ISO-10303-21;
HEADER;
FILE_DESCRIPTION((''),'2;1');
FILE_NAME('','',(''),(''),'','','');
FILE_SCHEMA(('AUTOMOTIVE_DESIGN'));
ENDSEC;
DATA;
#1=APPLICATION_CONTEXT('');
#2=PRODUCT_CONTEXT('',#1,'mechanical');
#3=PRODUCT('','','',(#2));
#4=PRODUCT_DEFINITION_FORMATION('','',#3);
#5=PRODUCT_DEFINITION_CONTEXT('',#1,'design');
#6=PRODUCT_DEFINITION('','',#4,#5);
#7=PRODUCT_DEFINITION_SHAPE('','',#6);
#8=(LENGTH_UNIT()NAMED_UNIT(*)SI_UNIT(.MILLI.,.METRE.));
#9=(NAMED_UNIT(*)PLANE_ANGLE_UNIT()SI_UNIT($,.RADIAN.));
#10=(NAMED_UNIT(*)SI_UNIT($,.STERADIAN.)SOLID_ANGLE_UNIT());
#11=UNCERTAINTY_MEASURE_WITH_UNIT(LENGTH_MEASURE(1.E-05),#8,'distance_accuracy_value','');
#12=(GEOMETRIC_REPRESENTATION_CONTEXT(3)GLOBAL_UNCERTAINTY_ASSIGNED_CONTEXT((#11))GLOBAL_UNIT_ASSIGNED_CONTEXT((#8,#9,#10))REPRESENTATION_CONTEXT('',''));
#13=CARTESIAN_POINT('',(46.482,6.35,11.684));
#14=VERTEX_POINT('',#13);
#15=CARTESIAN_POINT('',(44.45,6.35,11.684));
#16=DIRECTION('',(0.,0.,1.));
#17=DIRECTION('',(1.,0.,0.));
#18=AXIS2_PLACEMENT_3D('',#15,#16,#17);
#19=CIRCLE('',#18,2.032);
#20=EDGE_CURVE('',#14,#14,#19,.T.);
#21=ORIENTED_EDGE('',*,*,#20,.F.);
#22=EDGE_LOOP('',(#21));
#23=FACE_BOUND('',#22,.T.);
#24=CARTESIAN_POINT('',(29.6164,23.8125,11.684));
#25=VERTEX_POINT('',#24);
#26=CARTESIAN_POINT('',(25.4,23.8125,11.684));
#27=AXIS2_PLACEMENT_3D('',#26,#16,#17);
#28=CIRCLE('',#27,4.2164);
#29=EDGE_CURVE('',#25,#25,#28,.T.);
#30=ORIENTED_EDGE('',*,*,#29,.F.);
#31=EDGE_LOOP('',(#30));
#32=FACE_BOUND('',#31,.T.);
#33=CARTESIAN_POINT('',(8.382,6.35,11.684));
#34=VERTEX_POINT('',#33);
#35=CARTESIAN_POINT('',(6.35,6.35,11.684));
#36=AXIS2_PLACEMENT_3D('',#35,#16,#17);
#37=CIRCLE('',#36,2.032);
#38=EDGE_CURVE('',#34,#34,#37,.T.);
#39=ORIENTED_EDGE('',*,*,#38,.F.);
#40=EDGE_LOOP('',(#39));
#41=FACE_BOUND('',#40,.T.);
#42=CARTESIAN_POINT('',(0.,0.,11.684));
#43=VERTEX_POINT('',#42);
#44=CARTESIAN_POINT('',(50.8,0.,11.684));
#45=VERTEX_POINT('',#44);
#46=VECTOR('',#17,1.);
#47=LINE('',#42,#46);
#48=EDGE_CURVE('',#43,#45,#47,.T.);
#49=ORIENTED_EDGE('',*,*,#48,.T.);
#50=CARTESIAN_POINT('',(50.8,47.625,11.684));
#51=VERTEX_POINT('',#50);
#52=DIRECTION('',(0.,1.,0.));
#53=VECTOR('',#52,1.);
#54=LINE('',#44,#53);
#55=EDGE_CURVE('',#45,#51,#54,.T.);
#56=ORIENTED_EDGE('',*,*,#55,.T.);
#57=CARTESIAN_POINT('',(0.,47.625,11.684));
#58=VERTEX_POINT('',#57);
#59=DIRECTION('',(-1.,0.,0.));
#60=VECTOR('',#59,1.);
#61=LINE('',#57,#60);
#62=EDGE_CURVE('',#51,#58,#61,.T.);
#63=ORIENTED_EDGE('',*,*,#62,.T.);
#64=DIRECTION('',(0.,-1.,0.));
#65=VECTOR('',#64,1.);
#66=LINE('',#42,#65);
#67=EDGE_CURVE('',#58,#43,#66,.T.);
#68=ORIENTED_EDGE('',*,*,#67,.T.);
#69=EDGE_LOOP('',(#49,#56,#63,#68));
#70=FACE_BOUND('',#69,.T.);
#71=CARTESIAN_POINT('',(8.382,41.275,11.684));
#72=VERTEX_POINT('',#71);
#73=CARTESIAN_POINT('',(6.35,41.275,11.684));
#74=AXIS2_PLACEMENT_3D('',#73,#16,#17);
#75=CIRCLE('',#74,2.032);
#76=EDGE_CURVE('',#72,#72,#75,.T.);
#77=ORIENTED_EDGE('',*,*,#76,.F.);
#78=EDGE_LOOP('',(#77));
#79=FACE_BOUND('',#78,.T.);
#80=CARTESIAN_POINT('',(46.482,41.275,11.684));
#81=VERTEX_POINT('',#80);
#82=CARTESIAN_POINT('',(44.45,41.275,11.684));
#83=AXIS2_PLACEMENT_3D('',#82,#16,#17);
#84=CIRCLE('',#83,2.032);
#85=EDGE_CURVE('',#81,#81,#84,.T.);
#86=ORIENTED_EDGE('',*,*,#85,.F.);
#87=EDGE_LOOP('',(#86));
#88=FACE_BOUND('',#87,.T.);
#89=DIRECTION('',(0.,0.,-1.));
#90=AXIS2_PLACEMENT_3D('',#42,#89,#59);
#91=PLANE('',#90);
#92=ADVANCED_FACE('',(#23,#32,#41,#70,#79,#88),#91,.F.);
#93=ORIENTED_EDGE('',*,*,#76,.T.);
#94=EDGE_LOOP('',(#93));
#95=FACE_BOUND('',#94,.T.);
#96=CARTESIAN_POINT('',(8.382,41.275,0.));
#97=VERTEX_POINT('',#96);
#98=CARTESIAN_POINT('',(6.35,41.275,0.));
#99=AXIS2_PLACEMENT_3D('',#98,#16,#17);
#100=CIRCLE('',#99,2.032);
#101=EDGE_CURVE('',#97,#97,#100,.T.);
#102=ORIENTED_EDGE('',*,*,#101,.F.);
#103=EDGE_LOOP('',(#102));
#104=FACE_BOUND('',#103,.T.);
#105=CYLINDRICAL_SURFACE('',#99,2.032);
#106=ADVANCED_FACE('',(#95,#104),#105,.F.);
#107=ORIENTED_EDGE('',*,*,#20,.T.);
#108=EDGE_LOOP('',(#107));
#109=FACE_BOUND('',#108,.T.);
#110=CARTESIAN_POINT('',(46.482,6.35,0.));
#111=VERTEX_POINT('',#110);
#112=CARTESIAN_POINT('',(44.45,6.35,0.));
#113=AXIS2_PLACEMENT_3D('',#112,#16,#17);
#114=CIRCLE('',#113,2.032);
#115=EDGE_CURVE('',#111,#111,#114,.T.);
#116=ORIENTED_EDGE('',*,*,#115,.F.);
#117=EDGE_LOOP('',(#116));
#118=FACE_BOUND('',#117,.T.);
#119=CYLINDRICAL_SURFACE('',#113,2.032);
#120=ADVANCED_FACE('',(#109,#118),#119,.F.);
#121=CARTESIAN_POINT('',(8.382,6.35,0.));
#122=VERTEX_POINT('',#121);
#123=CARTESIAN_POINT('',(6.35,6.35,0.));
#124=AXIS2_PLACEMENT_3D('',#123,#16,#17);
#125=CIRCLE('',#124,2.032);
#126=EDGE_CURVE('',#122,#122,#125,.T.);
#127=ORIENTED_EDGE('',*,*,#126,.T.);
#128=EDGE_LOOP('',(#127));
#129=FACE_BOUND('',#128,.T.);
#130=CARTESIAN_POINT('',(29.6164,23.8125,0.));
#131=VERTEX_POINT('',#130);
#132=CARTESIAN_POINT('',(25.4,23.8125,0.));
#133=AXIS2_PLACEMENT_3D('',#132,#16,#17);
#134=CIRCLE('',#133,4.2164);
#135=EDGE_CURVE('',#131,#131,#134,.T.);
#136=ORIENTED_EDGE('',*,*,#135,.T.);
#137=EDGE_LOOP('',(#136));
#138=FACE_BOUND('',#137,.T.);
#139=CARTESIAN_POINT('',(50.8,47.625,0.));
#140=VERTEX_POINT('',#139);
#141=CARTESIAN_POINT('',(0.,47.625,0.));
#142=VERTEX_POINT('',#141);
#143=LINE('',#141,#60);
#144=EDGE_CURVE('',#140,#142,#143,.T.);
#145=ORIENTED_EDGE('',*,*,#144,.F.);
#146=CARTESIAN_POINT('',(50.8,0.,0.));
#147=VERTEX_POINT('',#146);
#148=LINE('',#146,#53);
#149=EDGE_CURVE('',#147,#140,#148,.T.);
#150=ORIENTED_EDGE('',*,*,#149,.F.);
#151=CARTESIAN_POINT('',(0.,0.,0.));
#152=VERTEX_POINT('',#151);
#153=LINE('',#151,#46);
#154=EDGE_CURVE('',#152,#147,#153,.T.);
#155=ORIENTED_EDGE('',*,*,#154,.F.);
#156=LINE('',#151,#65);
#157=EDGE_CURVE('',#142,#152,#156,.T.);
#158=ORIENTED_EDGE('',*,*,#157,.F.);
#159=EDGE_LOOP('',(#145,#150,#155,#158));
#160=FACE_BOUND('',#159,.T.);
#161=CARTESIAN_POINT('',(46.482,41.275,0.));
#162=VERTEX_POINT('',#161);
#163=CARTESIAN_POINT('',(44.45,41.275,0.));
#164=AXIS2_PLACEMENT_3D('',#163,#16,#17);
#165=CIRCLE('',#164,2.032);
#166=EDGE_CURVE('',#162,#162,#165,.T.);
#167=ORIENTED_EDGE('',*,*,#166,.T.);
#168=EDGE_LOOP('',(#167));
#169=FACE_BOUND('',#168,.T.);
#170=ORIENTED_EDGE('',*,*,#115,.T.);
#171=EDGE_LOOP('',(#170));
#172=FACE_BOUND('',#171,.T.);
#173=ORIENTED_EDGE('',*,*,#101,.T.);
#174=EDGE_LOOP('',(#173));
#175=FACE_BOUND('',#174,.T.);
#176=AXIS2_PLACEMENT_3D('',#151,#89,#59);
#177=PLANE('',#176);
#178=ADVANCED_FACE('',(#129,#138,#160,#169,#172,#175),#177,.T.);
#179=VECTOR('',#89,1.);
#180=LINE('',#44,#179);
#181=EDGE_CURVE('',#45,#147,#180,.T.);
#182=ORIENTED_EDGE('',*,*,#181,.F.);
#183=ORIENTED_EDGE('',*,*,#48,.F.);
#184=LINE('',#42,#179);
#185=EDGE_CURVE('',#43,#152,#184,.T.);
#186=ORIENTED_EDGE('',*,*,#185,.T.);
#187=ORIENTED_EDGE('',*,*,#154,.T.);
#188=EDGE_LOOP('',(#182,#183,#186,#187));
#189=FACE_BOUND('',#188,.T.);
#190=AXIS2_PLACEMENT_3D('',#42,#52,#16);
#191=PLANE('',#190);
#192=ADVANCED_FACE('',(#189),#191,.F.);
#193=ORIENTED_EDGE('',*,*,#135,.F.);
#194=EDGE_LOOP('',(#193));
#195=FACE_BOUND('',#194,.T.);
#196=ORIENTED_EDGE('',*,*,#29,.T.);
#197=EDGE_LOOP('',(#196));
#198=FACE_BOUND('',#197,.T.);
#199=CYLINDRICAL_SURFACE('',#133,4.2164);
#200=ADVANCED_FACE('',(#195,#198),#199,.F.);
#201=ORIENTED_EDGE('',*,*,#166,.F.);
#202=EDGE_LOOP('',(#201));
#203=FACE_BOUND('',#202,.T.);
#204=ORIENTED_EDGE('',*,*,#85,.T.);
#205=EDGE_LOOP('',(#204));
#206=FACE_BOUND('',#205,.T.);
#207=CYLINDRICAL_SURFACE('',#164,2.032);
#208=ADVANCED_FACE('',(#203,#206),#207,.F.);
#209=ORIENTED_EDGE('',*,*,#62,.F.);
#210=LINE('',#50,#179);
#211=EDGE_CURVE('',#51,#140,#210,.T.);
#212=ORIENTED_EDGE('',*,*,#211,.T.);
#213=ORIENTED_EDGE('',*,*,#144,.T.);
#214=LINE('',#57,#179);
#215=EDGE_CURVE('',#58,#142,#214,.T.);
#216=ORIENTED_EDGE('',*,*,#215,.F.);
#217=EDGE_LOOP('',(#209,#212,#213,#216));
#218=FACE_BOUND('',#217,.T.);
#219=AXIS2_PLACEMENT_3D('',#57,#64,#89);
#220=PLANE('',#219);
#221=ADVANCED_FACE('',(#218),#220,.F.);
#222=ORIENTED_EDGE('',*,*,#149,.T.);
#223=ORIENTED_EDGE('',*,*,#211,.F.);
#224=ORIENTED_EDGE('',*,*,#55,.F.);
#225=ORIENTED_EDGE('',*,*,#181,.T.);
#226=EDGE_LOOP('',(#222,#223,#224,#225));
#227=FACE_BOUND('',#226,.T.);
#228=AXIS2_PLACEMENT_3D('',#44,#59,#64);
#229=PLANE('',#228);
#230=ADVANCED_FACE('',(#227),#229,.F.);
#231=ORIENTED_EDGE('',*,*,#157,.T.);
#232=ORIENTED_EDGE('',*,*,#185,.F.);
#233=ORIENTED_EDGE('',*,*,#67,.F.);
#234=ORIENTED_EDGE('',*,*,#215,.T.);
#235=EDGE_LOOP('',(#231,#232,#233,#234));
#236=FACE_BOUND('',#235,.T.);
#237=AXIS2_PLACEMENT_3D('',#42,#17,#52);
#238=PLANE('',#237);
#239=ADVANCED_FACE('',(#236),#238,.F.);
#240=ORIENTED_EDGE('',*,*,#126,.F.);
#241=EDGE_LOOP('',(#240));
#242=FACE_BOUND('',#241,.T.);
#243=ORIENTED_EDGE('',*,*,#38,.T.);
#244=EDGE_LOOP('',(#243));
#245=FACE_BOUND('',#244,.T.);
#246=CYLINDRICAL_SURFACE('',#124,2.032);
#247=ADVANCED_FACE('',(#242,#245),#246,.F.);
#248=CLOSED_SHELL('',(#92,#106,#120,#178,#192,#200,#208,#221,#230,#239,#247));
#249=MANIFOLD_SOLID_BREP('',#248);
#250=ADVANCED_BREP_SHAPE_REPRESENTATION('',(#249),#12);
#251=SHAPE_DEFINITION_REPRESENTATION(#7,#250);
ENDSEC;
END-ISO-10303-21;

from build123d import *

# Parameters (mm, degrees)
SKETCH1_W           = 50.8
SKETCH1_H           = 47.625
BOSS_EXTRUDE1_DEPTH = 11.684
SKETCH2_R           = 4.2164
CUT_EXTRUDE1_DEPTH  = 71.60663199
SKETCH3_R           = 2.032
CUT_EXTRUDE2_DEPTH  = 71.60663199


with BuildPart() as part:
    # Sketch1 → Boss-Extrude1 (new body)
    with BuildSketch(Plane.XY):
        with Locations((25.4, 23.8125)):
            Rectangle(SKETCH1_W, SKETCH1_H)
    extrude(amount=BOSS_EXTRUDE1_DEPTH)

    # Sketch2 → Cut-Extrude1 (cut, through all)
    with BuildSketch(Plane.XY.offset(11.684)):
        with Locations((25.4, 23.8125)):
            Circle(SKETCH2_R)
    extrude(amount=-CUT_EXTRUDE1_DEPTH, mode=Mode.SUBTRACT)

    # Sketch3 → Cut-Extrude2 (cut, through all)
    with BuildSketch(Plane.XY.offset(11.684)):
        with Locations((6.35, 41.275)):
            Circle(SKETCH3_R)
        with Locations((44.45, 41.275)):
            Circle(SKETCH3_R)
        with Locations((44.45, 6.35)):
            Circle(SKETCH3_R)
        with Locations((6.35, 6.35)):
            Circle(SKETCH3_R)
    extrude(amount=-CUT_EXTRUDE2_DEPTH, mode=Mode.SUBTRACT)


solid = part.part
